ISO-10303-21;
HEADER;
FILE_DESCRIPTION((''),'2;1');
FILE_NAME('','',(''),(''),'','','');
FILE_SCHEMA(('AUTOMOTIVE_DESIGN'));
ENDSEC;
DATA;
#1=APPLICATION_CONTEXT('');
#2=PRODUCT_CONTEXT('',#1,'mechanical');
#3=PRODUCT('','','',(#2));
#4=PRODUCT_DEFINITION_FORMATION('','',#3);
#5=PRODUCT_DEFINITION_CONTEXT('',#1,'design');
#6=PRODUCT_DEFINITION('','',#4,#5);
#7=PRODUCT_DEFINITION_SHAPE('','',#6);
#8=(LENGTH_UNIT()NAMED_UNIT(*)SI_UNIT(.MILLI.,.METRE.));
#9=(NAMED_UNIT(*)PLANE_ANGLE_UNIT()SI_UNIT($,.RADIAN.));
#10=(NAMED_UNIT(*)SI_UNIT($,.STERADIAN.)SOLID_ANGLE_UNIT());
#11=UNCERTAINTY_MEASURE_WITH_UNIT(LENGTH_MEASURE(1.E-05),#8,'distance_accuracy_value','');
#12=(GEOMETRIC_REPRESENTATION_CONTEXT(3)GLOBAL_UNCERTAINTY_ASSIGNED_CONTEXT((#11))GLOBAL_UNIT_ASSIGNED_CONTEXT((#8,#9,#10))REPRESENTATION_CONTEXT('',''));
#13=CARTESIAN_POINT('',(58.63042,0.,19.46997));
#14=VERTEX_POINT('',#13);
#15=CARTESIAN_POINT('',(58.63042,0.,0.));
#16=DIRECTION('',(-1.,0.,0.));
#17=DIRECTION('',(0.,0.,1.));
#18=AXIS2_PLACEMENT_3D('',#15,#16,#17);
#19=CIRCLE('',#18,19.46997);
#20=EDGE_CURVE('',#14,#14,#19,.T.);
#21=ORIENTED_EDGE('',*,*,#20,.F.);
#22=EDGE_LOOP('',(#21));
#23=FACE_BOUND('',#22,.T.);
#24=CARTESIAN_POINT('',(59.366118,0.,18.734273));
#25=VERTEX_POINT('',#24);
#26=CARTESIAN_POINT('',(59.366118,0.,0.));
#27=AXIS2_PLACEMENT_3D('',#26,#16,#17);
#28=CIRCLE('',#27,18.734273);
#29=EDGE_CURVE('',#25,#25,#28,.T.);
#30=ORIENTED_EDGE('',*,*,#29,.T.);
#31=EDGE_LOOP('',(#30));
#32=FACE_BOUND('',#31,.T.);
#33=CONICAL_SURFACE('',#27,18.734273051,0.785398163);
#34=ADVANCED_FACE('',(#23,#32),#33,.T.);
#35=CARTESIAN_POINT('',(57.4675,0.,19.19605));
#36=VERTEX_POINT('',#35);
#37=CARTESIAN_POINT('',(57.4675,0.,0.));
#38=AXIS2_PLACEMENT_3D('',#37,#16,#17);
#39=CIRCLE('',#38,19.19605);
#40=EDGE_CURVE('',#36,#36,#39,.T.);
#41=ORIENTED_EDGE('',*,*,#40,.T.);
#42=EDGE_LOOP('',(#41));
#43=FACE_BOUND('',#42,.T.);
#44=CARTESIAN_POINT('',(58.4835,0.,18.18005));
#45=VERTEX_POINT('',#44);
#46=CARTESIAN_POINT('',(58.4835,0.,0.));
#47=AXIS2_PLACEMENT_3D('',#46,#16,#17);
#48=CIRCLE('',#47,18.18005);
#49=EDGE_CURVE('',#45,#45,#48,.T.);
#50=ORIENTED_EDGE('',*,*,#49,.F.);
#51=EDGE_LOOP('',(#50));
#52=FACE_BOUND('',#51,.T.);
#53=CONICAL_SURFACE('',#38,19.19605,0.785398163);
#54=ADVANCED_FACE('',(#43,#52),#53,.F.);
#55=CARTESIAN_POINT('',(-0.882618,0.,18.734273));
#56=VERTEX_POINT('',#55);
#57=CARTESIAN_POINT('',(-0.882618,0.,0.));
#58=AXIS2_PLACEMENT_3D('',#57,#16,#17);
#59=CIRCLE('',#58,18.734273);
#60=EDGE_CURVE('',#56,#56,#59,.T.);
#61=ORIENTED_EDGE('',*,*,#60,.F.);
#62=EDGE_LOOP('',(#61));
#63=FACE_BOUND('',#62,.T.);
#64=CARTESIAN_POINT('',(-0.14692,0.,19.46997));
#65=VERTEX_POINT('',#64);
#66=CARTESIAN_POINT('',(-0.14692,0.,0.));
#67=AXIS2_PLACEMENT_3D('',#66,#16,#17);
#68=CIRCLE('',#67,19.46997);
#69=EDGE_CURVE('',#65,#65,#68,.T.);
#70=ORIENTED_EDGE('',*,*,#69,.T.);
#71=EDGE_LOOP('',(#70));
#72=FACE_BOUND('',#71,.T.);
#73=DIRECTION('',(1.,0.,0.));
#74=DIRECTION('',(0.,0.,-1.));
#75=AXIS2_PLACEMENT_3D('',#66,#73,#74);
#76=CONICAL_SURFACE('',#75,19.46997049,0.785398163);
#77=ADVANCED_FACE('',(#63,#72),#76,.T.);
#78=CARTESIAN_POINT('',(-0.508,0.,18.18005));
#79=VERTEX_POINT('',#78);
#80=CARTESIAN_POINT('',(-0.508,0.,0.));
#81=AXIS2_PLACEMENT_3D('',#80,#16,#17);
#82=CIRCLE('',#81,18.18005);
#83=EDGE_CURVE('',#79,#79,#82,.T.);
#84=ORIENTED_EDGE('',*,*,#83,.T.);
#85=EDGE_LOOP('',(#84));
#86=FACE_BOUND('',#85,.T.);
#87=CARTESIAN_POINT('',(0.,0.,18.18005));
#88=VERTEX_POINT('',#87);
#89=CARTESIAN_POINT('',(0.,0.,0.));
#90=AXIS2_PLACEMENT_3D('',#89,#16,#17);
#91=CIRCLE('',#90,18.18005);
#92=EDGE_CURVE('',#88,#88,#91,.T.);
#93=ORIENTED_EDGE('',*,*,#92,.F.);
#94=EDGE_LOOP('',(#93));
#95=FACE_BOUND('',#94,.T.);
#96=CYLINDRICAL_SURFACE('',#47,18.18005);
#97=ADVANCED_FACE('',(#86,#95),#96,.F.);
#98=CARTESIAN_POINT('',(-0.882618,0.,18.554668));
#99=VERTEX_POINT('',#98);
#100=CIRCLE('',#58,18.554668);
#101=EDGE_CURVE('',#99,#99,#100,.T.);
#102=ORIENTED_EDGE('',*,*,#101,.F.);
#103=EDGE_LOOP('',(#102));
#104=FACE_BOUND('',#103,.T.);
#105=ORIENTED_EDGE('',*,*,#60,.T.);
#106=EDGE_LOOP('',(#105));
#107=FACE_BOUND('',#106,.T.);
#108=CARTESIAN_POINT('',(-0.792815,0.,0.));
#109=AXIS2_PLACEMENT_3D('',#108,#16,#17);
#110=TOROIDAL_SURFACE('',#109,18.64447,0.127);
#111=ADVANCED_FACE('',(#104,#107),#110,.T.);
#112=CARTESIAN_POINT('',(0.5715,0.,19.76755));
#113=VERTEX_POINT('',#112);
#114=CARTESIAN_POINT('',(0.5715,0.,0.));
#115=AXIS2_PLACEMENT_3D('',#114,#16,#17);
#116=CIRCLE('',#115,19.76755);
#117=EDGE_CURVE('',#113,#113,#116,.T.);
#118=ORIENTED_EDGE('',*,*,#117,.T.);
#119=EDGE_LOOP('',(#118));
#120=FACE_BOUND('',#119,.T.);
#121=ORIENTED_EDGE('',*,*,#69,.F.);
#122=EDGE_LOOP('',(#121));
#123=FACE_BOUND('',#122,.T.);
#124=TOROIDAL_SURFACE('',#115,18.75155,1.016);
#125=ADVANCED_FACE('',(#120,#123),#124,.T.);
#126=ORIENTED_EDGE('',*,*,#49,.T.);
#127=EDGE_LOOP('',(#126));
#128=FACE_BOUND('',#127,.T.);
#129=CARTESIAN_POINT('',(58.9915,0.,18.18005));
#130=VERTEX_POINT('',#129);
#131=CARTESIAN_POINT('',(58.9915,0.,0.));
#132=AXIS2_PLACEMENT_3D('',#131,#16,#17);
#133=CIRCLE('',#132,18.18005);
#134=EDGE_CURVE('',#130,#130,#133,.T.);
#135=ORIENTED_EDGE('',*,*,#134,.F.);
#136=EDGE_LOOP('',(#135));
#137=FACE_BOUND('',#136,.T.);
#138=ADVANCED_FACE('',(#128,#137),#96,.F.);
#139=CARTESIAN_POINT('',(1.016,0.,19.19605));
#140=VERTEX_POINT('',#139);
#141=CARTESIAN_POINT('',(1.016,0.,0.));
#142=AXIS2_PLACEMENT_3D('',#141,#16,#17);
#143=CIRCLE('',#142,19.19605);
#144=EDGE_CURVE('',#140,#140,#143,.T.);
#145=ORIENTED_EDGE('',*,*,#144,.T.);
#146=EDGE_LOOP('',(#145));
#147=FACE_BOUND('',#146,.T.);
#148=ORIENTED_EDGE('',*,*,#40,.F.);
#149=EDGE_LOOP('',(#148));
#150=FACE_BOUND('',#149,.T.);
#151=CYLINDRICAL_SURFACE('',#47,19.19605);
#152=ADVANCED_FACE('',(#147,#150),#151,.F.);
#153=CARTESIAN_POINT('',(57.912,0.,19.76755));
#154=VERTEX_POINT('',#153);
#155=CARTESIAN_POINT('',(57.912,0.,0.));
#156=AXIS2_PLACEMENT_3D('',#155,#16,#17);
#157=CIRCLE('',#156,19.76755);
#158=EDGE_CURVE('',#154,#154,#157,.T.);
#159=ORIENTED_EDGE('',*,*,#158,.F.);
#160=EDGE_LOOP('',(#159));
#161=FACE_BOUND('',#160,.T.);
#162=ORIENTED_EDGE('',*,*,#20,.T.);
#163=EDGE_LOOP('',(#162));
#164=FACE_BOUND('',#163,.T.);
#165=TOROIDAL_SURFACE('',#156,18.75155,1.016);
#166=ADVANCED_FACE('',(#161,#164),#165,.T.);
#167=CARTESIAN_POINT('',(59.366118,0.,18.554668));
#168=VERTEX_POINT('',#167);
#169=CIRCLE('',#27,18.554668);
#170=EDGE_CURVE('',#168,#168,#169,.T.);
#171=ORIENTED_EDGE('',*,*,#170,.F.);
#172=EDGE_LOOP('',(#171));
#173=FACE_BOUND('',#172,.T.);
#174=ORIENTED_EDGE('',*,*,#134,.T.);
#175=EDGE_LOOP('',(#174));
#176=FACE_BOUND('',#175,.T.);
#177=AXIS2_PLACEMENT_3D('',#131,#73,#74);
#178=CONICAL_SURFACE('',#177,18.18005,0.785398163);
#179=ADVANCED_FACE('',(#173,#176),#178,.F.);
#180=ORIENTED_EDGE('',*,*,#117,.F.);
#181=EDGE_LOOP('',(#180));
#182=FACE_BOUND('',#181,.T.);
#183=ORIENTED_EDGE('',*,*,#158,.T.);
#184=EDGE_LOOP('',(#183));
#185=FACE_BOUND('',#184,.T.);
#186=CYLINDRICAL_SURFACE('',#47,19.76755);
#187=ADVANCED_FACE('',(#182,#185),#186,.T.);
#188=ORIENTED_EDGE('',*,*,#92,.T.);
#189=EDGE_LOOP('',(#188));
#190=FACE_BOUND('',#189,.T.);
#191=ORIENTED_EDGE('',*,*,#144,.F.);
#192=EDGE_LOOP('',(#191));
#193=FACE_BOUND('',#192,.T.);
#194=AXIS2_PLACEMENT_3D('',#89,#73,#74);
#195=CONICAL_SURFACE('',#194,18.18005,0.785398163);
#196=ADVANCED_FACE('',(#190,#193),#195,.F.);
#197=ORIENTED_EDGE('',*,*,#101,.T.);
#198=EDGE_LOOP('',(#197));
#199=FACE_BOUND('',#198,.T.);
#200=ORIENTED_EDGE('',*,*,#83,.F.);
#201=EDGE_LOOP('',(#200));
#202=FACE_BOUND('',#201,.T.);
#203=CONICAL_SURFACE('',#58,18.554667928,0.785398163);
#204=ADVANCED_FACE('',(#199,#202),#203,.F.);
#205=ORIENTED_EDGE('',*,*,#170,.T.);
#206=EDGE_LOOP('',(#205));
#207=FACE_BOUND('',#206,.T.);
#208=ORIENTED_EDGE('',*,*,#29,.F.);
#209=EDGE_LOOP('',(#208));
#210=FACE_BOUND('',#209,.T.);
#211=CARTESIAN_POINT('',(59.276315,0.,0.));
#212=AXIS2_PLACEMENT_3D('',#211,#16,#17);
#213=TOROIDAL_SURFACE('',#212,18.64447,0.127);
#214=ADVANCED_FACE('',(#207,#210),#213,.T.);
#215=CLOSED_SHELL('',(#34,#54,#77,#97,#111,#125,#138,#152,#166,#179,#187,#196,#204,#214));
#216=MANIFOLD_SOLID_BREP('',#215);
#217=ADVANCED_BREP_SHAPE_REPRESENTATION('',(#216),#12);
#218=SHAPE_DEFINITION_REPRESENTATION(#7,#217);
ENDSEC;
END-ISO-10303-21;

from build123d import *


with BuildPart() as part:
    # Sketch1 → Revolve1 (revolve)
    with BuildSketch(Plane.XY):
        with BuildLine():
            Line((-0.882617928, 18.554667928), (-0.508, 18.18005))
            Line((-0.508, 18.18005), (0, 18.18005))
            Line((0, 18.18005), (1.016, 19.19605))
            Line((1.016, 19.19605), (57.4675, 19.19605))
            Line((57.4675, 19.19605), (58.4835, 18.18005))
            Line((58.4835, 18.18005), (58.9915, 18.18005))
            Line((58.9915, 18.18005), (59.366117928, 18.554667928))
            ThreePointArc((59.366117928, 18.554667928), (59.403315367, 18.64447049), (59.366117928, 18.734273051))
            Line((59.366117928, 18.734273051), (58.63042049, 19.46997049))
            ThreePointArc((58.63042049, 19.46997049), (58.300806367, 19.690211605), (57.912, 19.76755))
            Line((57.912, 19.76755), (0.5715, 19.76755))
            ThreePointArc((0.5715, 19.76755), (0.182693633, 19.690211605), (-0.14692049, 19.46997049))
            Line((-0.14692049, 19.46997049), (-0.882617928, 18.734273051))
            ThreePointArc((-0.882617928, 18.734273051), (-0.919815367, 18.64447049), (-0.882617928, 18.554667928))
        make_face()
    revolve(axis=Axis((58.4835, 0, 0), (-1, 0, 0)))


solid = part.part
